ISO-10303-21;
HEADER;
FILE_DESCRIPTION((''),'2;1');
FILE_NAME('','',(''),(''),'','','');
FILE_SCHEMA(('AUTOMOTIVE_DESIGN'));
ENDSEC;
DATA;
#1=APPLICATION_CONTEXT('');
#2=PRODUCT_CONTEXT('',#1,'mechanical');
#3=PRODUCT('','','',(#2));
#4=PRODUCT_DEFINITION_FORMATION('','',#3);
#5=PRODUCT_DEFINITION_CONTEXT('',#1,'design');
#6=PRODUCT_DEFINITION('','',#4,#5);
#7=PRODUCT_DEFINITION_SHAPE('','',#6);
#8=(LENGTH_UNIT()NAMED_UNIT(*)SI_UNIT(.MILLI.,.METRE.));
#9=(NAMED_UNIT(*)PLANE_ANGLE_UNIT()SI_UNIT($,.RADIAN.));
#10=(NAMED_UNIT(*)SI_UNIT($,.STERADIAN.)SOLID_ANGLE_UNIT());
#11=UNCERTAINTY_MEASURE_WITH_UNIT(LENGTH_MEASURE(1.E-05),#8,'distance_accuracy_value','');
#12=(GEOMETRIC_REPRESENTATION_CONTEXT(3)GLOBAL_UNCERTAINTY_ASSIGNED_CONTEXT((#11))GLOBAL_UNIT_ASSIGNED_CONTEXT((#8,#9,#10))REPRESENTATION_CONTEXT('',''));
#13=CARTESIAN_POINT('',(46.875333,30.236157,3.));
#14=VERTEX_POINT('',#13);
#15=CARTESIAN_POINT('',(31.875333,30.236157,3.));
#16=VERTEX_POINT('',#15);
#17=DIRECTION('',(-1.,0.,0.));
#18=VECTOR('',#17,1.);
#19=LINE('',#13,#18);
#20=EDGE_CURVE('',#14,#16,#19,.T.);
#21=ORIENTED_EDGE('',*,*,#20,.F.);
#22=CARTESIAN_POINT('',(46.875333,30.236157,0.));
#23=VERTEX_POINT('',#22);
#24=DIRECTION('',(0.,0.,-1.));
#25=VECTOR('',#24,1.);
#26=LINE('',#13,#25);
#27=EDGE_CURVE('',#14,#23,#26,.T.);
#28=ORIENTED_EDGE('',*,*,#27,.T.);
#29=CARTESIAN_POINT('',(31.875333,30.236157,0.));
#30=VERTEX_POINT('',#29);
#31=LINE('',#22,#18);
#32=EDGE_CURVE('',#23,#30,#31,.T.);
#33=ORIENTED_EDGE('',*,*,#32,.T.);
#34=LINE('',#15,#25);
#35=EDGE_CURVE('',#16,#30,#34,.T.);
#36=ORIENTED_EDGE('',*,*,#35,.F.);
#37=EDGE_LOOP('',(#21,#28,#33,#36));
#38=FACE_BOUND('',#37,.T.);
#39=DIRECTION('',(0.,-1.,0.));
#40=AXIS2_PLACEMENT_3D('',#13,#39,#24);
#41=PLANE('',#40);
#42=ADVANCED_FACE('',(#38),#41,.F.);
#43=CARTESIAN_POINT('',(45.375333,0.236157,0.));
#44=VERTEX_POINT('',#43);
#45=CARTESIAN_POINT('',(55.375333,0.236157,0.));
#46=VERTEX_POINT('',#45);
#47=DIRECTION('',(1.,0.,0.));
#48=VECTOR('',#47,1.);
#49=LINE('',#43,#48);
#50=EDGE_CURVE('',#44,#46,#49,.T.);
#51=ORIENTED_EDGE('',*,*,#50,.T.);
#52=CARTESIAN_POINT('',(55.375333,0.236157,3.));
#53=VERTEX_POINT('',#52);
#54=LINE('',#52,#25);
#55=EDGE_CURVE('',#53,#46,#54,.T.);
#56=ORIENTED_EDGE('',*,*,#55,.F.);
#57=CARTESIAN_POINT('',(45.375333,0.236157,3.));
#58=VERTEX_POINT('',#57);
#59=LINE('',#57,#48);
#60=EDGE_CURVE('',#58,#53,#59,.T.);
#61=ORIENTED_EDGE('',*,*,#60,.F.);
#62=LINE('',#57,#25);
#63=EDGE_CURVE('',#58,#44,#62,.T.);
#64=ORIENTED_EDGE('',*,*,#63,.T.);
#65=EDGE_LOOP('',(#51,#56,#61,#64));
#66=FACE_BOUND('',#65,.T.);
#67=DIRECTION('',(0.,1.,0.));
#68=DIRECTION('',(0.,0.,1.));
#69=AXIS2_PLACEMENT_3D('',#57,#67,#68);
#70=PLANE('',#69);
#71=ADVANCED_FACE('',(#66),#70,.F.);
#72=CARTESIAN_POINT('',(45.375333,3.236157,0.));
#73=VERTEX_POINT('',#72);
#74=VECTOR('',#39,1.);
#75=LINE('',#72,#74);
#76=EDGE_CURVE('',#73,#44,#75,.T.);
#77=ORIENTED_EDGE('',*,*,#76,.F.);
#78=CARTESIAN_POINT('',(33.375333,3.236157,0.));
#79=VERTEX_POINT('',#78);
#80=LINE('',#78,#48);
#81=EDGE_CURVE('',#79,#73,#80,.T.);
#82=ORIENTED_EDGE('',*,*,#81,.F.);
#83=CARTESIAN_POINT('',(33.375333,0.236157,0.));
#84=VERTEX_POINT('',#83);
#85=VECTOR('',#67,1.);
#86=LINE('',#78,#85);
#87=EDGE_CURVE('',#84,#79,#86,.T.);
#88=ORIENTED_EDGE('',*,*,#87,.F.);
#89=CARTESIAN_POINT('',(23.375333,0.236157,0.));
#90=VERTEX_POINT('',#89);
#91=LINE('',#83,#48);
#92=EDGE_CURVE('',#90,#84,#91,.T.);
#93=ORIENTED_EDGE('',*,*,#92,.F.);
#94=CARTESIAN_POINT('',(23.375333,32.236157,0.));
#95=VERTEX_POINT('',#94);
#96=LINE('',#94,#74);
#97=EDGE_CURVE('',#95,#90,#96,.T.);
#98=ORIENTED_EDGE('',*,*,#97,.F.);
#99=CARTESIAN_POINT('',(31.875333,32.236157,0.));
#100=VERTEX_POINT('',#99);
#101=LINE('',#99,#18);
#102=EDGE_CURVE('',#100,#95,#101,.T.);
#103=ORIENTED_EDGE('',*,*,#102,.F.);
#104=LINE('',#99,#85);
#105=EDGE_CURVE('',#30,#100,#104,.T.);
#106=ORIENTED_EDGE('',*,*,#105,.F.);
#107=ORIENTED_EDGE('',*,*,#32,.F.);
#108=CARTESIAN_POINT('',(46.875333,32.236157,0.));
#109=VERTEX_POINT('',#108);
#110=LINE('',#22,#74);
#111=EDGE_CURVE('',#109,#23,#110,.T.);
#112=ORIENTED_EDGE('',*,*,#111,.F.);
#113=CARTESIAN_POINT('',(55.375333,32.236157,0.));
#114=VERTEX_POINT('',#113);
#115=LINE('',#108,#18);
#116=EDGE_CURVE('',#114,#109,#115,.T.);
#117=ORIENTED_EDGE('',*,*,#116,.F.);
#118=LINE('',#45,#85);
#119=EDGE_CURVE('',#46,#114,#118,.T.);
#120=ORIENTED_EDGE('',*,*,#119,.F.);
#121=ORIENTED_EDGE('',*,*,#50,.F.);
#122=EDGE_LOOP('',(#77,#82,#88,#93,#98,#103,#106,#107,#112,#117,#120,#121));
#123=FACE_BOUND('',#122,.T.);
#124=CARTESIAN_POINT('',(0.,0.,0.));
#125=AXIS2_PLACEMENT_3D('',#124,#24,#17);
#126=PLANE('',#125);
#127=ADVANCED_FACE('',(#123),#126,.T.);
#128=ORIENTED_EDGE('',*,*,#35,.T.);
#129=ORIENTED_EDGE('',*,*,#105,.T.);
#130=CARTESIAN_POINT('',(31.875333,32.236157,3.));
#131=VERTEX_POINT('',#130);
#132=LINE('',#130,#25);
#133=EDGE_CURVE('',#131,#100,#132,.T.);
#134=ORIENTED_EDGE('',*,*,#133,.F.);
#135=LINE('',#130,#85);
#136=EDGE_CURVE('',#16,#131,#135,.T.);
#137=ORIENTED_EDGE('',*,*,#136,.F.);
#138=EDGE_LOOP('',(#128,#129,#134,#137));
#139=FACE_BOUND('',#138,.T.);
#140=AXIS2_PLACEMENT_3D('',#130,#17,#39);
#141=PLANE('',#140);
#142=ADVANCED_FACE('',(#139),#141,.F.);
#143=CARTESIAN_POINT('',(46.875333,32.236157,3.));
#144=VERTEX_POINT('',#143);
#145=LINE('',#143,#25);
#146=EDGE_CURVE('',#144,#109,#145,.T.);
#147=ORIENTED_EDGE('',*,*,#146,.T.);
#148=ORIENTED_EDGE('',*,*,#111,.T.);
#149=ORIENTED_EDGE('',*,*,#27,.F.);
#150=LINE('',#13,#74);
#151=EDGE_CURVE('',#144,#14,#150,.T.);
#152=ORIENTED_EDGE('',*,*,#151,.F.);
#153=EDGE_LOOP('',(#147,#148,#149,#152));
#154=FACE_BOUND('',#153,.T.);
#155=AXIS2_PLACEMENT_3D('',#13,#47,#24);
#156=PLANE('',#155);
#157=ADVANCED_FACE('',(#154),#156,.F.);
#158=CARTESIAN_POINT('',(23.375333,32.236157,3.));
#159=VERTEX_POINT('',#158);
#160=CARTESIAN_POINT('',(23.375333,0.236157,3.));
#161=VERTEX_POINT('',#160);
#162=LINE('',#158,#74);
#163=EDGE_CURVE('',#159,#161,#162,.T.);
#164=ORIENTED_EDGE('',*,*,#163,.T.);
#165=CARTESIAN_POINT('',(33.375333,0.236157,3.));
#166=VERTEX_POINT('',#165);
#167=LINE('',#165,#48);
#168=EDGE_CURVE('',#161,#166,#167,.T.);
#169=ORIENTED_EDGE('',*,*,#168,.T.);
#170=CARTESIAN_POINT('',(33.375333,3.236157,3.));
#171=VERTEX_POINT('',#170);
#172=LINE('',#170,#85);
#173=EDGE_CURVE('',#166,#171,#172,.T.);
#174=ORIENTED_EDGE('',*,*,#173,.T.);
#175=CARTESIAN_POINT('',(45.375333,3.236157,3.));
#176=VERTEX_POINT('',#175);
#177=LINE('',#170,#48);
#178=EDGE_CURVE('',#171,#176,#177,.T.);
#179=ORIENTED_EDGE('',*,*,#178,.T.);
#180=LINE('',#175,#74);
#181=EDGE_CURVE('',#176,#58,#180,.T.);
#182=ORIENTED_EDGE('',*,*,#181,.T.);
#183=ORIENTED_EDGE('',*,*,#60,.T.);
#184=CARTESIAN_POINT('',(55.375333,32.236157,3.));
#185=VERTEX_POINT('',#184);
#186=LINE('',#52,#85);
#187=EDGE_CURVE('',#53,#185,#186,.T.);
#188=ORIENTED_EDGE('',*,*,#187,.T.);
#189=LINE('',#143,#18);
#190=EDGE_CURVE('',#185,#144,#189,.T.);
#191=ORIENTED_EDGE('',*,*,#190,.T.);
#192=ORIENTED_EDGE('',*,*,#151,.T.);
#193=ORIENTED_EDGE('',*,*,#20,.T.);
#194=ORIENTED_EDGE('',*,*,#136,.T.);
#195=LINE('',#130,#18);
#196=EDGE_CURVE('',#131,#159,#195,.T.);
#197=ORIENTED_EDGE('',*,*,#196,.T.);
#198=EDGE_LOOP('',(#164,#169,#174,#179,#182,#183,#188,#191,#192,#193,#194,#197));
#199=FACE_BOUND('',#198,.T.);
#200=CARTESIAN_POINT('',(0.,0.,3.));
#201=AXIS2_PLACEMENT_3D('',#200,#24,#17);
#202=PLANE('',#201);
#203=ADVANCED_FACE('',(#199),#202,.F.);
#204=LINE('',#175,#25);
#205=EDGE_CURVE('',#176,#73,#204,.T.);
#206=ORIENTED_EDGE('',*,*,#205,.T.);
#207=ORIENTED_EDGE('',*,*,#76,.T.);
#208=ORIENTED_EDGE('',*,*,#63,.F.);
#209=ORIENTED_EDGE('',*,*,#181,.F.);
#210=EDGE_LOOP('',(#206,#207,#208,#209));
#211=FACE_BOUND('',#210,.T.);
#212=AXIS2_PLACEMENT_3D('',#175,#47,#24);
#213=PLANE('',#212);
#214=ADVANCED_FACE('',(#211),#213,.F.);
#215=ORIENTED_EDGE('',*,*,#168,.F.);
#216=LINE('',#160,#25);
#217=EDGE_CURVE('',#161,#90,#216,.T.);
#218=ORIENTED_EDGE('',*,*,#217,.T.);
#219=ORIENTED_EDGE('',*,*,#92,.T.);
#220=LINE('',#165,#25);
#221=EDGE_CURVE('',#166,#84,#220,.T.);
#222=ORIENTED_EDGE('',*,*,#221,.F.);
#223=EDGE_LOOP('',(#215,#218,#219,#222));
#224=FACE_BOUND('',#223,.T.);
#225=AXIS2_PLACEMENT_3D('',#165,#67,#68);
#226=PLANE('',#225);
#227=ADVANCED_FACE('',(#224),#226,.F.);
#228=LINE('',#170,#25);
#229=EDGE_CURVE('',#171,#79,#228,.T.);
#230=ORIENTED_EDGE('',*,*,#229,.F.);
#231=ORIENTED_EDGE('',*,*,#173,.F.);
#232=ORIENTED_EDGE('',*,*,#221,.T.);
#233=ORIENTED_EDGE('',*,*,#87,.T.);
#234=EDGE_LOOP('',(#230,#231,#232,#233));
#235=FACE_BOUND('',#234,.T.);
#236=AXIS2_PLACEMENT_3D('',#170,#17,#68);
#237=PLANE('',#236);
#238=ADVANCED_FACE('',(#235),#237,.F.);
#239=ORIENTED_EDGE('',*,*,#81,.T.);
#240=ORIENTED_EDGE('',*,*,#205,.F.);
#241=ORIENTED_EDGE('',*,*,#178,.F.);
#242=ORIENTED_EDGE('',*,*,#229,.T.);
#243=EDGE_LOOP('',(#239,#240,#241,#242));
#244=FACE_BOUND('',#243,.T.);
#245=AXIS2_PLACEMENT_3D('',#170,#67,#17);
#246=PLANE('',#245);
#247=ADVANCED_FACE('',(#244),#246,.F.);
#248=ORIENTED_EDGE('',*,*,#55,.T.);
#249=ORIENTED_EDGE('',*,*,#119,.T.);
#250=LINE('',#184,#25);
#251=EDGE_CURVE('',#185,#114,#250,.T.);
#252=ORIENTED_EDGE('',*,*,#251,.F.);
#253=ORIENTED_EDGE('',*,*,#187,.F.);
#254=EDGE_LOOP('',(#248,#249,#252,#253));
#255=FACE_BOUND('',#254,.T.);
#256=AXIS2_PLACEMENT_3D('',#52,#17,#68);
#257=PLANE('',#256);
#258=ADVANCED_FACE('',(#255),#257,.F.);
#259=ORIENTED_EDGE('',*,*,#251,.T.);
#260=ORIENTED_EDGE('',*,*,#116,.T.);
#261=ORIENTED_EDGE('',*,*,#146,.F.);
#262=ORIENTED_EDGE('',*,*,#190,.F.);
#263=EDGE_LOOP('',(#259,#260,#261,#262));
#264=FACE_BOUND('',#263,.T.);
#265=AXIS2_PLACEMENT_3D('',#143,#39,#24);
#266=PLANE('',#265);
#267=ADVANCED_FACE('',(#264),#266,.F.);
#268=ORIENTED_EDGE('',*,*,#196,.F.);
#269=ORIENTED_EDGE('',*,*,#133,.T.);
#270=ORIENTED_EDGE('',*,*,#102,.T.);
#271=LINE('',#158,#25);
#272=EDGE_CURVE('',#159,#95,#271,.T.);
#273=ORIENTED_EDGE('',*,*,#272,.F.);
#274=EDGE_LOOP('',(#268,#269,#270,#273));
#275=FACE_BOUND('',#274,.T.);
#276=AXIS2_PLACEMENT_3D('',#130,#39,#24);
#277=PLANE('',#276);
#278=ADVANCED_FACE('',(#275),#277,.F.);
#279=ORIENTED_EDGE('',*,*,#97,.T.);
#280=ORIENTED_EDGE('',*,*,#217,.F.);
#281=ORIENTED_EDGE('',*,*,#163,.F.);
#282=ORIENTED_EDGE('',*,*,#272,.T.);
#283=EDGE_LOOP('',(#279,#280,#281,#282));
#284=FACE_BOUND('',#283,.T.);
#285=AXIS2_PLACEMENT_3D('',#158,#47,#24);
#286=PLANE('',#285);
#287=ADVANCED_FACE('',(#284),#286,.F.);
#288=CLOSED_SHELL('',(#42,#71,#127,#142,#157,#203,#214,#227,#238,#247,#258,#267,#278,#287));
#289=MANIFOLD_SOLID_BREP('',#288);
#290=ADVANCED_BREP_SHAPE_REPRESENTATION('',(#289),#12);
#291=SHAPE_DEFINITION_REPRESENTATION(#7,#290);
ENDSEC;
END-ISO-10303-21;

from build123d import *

# Parameters (mm, degrees)
SALIENTE_EXTRUIR1_DEPTH = 3


with BuildPart() as part:
    # Model → Saliente-Extruir1 (new body)
    with BuildSketch(Plane.XY):
        Polygon((31.875332881, 32.236157288), (23.375332881, 32.236157288), (23.375332881, 0.236157288), (33.375332881, 0.236157288), (33.375332881, 3.236157288), (45.375332881, 3.236157288), (45.375332881, 0.236157288), (55.375332881, 0.236157288), (55.375332881, 32.236157288), (46.875332881, 32.236157288), (46.875332881, 30.236157288), (31.875332881, 30.236157288), align=None)
    extrude(amount=SALIENTE_EXTRUIR1_DEPTH)


solid = part.part
